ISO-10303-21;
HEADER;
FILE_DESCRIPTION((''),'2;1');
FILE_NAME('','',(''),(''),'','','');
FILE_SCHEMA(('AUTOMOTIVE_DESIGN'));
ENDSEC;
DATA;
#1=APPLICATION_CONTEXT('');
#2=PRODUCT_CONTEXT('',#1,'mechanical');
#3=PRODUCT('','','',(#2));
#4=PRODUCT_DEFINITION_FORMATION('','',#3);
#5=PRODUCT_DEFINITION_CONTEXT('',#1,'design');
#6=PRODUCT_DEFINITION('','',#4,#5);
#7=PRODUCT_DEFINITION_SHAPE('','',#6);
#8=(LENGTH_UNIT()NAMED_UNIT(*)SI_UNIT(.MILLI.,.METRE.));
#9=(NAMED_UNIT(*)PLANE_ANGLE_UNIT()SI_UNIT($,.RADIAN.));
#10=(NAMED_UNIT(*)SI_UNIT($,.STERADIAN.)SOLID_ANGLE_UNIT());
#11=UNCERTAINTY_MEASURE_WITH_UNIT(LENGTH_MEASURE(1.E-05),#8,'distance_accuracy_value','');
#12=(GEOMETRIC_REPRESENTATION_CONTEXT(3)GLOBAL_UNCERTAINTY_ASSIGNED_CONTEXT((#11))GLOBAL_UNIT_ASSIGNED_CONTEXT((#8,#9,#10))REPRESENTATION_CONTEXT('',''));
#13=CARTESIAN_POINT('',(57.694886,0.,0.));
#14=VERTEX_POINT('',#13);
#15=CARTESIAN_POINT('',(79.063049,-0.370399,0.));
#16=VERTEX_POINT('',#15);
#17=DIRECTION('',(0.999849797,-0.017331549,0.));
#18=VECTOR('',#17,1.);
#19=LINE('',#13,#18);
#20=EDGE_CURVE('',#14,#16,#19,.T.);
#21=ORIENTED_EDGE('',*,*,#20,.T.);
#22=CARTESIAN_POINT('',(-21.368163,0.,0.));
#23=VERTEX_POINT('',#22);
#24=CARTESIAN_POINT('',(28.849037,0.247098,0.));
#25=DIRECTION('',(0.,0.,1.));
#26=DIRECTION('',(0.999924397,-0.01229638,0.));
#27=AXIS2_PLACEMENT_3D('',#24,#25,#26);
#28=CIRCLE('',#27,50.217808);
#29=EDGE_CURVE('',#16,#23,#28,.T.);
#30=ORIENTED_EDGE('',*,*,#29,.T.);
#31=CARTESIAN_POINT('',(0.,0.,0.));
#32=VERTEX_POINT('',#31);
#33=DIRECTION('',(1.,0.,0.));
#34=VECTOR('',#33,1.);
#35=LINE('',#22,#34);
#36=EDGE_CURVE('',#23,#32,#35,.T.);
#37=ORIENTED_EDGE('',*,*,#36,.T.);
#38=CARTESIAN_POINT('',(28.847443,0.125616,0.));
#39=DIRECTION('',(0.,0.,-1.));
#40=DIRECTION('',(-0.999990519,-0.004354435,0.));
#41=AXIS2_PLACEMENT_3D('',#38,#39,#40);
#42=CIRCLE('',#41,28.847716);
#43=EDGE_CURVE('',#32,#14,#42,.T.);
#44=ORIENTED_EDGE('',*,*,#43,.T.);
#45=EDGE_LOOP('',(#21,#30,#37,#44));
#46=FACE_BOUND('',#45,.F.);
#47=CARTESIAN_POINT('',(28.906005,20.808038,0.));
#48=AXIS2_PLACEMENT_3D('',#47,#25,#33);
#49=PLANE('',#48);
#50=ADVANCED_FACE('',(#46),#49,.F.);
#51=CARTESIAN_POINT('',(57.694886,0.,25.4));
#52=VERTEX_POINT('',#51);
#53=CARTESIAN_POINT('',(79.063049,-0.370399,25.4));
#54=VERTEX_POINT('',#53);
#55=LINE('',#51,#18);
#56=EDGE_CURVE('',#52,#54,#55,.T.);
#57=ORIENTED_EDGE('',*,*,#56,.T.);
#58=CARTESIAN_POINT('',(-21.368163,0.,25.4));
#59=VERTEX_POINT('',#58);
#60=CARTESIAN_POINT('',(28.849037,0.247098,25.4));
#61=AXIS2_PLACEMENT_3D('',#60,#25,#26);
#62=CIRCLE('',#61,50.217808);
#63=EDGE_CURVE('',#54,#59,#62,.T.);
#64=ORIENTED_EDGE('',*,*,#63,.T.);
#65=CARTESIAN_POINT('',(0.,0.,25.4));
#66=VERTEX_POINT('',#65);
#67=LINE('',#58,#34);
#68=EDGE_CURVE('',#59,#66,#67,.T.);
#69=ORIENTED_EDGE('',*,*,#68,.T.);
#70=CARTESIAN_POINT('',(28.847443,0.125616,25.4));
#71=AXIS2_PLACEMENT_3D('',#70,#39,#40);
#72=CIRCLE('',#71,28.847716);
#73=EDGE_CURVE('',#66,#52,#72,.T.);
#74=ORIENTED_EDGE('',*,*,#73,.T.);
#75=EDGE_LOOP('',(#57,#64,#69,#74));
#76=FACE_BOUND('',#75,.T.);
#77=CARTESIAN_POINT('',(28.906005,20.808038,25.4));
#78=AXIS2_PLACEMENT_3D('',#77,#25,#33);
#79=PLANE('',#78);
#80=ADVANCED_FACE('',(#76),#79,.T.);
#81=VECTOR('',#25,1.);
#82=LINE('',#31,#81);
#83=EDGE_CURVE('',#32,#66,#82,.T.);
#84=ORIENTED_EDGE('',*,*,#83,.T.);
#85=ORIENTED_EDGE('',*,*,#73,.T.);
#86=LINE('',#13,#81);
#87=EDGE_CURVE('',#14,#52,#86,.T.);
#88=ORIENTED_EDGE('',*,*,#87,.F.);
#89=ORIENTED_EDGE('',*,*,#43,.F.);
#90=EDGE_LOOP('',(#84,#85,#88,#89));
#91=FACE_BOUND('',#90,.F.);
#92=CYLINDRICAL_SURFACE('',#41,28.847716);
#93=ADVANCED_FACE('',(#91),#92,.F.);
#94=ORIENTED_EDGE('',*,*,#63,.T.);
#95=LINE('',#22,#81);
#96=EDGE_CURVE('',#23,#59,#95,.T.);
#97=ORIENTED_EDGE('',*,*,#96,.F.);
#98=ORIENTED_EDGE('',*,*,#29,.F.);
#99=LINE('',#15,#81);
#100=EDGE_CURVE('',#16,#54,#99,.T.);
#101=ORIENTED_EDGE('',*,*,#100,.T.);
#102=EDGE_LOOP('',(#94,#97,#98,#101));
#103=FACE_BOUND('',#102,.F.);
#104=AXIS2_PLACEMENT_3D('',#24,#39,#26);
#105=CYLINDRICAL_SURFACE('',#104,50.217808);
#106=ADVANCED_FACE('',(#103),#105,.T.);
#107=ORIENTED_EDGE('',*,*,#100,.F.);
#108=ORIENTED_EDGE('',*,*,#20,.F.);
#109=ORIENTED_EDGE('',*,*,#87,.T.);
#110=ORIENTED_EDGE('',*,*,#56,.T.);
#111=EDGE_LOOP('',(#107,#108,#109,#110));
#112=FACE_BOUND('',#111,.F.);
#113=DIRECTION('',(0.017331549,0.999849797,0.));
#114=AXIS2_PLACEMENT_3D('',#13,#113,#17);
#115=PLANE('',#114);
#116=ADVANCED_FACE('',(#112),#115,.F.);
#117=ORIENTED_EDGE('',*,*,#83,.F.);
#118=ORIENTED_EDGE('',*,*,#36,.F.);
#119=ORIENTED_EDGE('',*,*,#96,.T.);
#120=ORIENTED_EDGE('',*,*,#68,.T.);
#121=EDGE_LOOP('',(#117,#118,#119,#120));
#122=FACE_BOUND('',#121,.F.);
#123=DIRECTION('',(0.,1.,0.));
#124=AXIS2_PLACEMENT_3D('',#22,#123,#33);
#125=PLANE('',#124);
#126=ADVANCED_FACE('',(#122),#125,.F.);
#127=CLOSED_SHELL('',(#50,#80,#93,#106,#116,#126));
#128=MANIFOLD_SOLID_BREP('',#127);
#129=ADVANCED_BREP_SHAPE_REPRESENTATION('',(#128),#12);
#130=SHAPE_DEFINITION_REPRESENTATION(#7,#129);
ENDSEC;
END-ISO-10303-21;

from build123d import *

# Parameters (mm, degrees)
F1_DEPTH = 25.4


with BuildPart() as f1:
    # F0 (on Top) → F1 (new body)
    with BuildSketch(Plane.XY):
        with BuildLine():
            Line((-21.368163, 0), (0, 0))
            ThreePointArc((0, 0), (28.847443, 28.973332), (57.694886, 0))
            Line((57.694886, 0), (79.063049, -0.370399))
            ThreePointArc((79.063049, -0.370399), (29.034244, 50.464565), (-21.368163, 0))
        make_face()
    extrude(amount=F1_DEPTH)


solid = f1.part
